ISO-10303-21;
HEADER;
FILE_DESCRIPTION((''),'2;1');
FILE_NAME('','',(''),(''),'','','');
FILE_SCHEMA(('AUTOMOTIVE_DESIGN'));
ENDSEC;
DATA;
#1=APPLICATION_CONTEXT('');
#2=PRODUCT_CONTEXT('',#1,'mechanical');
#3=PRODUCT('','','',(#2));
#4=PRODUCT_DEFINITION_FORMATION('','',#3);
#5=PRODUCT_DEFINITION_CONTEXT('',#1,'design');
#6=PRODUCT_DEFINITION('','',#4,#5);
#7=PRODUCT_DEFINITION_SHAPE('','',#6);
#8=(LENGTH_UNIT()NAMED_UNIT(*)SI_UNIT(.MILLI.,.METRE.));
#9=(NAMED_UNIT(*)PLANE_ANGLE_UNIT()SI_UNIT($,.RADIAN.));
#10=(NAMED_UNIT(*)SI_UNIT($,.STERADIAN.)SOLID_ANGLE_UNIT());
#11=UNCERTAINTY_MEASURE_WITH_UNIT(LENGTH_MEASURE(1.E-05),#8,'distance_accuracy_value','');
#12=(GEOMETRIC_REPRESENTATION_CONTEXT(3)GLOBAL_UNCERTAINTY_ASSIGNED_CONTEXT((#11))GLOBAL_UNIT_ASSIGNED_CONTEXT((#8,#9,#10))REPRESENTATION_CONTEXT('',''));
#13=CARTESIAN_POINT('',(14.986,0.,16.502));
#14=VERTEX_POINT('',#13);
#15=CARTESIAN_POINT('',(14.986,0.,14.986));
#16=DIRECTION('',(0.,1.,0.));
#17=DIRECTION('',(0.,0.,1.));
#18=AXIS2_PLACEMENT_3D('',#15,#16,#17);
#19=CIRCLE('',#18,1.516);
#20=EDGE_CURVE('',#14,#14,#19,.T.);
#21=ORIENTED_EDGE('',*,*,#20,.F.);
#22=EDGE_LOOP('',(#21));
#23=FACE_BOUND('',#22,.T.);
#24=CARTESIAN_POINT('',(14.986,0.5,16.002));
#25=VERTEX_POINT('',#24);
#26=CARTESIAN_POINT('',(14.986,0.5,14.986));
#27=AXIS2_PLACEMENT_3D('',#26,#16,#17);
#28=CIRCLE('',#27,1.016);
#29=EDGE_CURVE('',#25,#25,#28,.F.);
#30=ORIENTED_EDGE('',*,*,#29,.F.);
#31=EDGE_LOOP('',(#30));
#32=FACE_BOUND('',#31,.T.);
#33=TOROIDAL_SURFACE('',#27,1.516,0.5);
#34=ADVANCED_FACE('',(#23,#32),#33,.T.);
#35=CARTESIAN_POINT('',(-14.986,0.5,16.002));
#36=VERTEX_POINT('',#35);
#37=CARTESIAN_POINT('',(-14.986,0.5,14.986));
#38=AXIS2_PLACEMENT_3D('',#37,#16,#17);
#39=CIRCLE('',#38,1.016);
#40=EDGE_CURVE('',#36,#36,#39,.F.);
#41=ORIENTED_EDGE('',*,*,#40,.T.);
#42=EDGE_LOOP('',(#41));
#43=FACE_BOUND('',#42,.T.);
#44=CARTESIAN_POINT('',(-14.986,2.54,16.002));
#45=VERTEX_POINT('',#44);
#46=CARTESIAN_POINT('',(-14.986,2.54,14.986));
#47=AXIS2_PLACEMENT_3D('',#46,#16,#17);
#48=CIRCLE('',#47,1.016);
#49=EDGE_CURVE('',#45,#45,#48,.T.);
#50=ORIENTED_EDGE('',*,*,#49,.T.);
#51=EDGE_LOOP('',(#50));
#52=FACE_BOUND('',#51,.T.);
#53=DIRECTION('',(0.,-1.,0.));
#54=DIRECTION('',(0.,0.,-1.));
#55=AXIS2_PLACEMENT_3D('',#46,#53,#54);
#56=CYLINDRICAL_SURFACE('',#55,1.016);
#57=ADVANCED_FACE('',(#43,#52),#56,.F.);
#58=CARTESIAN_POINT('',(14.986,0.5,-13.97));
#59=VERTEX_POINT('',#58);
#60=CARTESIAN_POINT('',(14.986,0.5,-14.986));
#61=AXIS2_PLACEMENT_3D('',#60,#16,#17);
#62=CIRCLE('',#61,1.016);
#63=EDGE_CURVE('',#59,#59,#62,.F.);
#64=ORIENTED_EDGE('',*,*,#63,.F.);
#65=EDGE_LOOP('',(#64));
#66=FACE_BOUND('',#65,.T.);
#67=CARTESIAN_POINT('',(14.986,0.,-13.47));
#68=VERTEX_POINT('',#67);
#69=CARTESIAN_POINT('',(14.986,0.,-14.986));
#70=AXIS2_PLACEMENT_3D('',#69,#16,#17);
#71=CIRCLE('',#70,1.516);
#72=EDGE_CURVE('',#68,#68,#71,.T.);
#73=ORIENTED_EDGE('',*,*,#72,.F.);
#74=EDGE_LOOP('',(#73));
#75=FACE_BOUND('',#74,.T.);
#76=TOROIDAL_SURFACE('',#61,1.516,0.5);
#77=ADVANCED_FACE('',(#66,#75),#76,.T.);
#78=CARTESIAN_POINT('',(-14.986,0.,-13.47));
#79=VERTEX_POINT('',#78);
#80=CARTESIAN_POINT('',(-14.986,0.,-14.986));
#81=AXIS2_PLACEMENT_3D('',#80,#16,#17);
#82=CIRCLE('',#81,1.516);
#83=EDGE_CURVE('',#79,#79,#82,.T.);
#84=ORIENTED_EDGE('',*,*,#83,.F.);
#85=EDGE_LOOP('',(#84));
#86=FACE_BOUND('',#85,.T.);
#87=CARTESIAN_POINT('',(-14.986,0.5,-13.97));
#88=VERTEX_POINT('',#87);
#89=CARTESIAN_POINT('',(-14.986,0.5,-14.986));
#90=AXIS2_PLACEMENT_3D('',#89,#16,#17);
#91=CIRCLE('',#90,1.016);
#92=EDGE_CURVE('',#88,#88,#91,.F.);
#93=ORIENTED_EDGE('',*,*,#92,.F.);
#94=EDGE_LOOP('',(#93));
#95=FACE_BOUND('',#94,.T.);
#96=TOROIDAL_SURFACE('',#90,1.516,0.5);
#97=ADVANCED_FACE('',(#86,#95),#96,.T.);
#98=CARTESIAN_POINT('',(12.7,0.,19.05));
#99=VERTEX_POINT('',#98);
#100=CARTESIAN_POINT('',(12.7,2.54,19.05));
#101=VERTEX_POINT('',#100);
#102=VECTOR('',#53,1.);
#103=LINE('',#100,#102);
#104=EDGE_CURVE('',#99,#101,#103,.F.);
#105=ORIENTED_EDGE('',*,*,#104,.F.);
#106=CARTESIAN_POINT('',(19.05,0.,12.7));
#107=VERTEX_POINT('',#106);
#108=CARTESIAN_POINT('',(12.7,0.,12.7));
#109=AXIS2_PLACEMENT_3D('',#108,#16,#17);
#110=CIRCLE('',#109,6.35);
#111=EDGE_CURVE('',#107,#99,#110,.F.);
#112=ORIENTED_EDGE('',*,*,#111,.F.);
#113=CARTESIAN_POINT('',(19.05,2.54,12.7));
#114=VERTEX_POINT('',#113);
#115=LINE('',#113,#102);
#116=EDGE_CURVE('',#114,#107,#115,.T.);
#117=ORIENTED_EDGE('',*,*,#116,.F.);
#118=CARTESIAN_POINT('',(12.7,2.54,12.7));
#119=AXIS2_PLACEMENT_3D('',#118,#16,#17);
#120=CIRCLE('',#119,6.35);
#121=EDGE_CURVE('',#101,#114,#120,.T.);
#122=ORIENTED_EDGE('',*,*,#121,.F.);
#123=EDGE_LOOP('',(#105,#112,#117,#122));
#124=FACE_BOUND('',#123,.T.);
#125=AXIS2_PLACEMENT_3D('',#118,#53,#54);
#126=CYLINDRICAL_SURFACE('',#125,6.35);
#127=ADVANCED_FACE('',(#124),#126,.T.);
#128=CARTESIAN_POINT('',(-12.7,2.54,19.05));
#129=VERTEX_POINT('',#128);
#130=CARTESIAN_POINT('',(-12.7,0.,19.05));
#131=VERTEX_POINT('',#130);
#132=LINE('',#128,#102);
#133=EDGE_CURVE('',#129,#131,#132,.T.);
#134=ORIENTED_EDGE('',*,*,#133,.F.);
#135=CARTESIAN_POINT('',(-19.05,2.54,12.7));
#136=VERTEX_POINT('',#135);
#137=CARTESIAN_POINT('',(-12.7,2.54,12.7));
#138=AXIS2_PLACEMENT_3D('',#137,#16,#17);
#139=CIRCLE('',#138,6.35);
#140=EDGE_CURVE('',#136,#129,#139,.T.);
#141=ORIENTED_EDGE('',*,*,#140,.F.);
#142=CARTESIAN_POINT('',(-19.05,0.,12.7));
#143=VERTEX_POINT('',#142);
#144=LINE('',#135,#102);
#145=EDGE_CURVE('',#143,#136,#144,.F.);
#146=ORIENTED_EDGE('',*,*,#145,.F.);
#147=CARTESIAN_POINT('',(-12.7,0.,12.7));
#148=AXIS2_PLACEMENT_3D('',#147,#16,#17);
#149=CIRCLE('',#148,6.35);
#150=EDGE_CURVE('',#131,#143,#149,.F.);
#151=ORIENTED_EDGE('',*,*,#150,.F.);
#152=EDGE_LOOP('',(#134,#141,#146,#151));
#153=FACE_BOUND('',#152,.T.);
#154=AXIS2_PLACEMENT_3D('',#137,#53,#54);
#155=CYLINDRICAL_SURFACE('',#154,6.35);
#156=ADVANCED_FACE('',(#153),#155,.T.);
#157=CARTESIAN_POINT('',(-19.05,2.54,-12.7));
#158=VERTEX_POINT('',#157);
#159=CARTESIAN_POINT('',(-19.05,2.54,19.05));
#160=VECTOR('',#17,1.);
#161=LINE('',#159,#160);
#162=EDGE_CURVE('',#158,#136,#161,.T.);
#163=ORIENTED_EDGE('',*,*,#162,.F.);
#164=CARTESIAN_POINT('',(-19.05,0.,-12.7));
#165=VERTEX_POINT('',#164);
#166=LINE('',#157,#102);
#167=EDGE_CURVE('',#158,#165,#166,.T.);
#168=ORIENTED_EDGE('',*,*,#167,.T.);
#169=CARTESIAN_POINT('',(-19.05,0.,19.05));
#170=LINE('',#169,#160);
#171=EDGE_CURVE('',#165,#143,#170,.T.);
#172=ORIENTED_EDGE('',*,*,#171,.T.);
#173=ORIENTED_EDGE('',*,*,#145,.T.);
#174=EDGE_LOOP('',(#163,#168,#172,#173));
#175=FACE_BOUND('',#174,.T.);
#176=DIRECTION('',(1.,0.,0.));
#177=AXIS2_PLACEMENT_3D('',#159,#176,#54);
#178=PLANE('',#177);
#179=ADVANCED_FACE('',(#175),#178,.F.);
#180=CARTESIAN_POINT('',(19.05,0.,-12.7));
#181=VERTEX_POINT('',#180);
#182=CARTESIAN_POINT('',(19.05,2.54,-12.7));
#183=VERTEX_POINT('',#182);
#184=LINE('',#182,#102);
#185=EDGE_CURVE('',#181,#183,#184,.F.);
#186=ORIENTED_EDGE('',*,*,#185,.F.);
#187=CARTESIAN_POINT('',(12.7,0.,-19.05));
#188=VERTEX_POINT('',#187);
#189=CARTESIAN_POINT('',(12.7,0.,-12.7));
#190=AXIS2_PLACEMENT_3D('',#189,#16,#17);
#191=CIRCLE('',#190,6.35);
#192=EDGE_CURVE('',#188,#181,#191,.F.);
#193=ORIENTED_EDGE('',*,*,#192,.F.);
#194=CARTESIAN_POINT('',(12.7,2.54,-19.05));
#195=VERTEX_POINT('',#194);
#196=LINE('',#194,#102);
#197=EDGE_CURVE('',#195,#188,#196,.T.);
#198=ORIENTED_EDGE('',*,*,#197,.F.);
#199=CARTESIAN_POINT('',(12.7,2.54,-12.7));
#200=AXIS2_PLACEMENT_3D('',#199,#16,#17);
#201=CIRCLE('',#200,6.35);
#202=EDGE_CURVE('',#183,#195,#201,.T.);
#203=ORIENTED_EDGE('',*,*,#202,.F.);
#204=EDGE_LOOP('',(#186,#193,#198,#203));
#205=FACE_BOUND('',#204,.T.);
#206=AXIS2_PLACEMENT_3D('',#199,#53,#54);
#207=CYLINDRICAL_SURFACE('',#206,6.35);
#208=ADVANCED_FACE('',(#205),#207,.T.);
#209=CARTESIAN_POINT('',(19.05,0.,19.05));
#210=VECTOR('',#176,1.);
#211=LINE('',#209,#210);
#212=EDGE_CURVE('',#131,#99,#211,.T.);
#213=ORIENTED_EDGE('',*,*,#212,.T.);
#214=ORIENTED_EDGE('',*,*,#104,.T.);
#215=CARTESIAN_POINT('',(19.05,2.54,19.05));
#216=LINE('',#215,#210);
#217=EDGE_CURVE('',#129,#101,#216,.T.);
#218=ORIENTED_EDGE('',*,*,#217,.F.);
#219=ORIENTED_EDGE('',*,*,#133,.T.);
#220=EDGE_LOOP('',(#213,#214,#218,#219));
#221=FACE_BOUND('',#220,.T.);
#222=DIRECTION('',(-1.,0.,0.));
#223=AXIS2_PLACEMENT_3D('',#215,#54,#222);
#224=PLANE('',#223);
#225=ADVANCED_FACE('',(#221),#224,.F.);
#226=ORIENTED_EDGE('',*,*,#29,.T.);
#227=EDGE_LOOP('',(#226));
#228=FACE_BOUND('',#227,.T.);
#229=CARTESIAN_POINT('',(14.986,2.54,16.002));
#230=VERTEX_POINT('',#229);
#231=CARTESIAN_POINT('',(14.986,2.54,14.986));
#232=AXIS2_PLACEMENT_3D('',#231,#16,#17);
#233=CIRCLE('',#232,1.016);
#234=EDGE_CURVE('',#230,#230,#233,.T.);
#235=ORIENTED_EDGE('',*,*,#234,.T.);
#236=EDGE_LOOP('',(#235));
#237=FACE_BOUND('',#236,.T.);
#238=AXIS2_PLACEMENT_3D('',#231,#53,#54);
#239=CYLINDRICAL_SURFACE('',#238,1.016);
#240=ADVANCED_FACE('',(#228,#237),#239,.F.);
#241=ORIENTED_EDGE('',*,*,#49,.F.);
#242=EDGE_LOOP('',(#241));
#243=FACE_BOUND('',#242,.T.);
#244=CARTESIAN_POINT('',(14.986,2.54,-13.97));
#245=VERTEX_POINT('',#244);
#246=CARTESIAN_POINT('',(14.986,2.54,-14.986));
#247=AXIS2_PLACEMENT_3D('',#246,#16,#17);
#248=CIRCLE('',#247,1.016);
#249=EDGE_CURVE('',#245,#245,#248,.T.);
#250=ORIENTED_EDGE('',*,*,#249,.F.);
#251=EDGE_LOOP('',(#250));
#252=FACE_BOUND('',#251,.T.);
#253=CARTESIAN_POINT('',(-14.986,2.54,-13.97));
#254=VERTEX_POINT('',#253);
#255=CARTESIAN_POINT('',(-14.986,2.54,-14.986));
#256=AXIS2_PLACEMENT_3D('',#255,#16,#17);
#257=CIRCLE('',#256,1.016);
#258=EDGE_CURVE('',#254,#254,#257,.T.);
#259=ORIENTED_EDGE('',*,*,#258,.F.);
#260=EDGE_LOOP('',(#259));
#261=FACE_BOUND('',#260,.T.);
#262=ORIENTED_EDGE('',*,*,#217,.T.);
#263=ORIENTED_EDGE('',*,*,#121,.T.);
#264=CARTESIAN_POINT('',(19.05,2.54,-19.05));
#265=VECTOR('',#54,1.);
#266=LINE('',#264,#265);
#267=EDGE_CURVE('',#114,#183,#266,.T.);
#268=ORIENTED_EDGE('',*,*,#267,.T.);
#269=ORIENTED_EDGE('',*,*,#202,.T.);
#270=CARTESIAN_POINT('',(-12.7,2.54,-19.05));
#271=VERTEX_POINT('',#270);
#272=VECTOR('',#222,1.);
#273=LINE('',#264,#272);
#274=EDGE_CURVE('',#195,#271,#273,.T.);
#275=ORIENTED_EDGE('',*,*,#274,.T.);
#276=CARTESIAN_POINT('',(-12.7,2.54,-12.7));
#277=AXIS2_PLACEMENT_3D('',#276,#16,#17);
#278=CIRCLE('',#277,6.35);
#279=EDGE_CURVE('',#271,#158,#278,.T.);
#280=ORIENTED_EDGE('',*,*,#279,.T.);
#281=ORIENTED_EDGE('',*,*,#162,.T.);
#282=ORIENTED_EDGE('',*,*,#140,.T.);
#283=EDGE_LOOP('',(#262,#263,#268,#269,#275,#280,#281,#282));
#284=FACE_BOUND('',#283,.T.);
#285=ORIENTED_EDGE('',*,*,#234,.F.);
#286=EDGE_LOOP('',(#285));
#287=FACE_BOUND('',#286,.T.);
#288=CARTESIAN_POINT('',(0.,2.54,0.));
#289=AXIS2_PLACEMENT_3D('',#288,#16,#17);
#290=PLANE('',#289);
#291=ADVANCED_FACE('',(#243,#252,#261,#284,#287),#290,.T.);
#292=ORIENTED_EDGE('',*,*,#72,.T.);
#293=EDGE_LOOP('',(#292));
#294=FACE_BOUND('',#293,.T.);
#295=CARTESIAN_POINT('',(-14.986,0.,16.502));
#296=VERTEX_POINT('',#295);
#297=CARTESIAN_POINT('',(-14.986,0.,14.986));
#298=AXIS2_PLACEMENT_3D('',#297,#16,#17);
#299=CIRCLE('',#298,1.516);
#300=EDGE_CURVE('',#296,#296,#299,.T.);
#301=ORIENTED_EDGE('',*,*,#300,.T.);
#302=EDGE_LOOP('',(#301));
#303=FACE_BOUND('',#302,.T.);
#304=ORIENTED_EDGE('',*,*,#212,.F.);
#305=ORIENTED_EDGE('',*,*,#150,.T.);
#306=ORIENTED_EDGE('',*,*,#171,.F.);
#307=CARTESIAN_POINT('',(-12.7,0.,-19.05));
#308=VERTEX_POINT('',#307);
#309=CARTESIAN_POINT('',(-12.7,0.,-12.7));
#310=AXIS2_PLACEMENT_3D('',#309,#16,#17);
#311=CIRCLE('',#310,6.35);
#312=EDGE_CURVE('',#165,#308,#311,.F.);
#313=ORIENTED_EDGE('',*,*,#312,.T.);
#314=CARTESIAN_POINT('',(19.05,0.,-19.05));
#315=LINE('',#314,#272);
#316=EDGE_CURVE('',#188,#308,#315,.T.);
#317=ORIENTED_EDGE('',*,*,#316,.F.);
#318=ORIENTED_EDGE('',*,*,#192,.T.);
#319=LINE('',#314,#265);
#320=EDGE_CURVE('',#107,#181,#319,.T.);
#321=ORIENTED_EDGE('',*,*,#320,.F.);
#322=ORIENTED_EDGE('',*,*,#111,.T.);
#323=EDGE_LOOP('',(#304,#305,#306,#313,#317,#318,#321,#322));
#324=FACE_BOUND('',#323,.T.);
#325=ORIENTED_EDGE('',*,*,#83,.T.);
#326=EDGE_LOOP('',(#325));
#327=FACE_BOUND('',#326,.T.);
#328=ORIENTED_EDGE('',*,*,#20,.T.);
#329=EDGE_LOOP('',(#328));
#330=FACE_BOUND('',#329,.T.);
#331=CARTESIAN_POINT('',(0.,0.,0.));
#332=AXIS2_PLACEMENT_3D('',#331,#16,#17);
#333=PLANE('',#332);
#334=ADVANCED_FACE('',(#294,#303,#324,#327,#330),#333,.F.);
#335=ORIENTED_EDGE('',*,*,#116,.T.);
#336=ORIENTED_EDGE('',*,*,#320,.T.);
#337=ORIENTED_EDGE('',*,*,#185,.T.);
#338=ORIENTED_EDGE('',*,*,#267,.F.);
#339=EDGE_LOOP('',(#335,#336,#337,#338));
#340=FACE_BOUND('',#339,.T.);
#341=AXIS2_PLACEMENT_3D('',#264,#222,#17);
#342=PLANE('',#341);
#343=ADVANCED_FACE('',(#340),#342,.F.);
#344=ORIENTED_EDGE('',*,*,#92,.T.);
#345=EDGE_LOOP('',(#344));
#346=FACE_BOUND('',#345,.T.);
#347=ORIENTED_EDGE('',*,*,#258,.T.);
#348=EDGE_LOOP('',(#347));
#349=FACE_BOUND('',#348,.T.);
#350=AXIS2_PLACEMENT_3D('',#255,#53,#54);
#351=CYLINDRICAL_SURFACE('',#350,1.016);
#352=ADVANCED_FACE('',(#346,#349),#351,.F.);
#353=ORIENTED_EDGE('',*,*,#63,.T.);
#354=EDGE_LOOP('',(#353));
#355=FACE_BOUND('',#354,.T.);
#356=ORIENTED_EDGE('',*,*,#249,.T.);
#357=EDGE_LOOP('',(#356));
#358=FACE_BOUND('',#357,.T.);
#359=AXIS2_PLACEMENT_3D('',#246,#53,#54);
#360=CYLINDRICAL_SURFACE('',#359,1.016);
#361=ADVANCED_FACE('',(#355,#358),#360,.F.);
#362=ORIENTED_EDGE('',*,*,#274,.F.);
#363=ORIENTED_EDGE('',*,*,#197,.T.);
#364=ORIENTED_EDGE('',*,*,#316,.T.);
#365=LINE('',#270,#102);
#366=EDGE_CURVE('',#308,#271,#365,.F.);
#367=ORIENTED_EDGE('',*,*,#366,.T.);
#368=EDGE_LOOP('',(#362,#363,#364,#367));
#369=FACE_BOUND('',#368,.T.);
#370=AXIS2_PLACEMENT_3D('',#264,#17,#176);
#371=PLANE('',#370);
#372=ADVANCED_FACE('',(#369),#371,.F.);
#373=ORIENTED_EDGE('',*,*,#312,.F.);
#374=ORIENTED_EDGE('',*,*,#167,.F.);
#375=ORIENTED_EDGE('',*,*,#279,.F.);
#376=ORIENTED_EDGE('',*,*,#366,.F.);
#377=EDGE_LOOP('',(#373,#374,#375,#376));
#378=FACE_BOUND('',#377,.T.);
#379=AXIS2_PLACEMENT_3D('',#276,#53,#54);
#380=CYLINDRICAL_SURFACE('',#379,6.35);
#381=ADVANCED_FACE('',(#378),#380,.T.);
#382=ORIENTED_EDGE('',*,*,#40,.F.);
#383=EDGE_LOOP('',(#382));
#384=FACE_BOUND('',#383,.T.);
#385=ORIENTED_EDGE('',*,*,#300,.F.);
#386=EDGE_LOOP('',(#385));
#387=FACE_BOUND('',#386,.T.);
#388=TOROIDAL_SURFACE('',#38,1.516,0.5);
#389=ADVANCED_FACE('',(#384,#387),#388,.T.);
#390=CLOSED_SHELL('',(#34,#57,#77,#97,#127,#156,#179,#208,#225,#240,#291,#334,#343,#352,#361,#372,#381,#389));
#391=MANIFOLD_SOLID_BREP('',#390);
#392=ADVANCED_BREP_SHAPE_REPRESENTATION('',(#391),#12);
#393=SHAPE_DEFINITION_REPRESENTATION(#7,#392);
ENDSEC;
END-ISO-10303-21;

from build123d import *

# Parameters (mm, degrees)
SKETCH1_W           = 38.1
SKETCH1_H           = 38.1
SKETCH1_R           = 1.016
BOSS_EXTRUDE1_DEPTH = 2.54
FILLET1_R           = 6.35
FILLET2_R           = 0.5


with BuildPart() as part:
    # Sketch1 → Boss-Extrude1 (new body)
    with BuildSketch(Plane(origin=(0, 0, 0), x_dir=(1, 0, 0), z_dir=(0, 1, 0))):
        Rectangle(SKETCH1_W, SKETCH1_H)
        with Locations(Location((-14.986, 14.986, 0), (0, 0, 270))):
            Circle(SKETCH1_R, mode=Mode.SUBTRACT)
        with Locations(Location((-14.986, -14.986, 0), (0, 0, 270))):
            Circle(SKETCH1_R, mode=Mode.SUBTRACT)
        with Locations(Location((14.986, -14.986, 0), (0, 0, 270))):
            Circle(SKETCH1_R, mode=Mode.SUBTRACT)
        with Locations(Location((14.986, 14.986, 0), (0, 0, 270))):
            Circle(SKETCH1_R, mode=Mode.SUBTRACT)
    extrude(amount=BOSS_EXTRUDE1_DEPTH)

    # Fillet1
    fillet1_edges = [part.edges().sort_by_distance(p)[0] for p in [
        (-19.05, 1.27, -19.05),
        (19.05, 1.27, -19.05),
        (19.05, 1.27, 19.05),
        (-19.05, 1.27, 19.05),
    ]]
    fillet(fillet1_edges, radius=FILLET1_R)

    # Fillet2
    fillet2_edges = [part.edges().sort_by_distance(p)[0] for p in [
        (-14.986, 0, -16.002),
        (-14.986, 0, 13.97),
        (14.986, 0, 13.97),
        (14.986, 0, -16.002),
    ]]
    fillet(fillet2_edges, radius=FILLET2_R)


solid = part.part
